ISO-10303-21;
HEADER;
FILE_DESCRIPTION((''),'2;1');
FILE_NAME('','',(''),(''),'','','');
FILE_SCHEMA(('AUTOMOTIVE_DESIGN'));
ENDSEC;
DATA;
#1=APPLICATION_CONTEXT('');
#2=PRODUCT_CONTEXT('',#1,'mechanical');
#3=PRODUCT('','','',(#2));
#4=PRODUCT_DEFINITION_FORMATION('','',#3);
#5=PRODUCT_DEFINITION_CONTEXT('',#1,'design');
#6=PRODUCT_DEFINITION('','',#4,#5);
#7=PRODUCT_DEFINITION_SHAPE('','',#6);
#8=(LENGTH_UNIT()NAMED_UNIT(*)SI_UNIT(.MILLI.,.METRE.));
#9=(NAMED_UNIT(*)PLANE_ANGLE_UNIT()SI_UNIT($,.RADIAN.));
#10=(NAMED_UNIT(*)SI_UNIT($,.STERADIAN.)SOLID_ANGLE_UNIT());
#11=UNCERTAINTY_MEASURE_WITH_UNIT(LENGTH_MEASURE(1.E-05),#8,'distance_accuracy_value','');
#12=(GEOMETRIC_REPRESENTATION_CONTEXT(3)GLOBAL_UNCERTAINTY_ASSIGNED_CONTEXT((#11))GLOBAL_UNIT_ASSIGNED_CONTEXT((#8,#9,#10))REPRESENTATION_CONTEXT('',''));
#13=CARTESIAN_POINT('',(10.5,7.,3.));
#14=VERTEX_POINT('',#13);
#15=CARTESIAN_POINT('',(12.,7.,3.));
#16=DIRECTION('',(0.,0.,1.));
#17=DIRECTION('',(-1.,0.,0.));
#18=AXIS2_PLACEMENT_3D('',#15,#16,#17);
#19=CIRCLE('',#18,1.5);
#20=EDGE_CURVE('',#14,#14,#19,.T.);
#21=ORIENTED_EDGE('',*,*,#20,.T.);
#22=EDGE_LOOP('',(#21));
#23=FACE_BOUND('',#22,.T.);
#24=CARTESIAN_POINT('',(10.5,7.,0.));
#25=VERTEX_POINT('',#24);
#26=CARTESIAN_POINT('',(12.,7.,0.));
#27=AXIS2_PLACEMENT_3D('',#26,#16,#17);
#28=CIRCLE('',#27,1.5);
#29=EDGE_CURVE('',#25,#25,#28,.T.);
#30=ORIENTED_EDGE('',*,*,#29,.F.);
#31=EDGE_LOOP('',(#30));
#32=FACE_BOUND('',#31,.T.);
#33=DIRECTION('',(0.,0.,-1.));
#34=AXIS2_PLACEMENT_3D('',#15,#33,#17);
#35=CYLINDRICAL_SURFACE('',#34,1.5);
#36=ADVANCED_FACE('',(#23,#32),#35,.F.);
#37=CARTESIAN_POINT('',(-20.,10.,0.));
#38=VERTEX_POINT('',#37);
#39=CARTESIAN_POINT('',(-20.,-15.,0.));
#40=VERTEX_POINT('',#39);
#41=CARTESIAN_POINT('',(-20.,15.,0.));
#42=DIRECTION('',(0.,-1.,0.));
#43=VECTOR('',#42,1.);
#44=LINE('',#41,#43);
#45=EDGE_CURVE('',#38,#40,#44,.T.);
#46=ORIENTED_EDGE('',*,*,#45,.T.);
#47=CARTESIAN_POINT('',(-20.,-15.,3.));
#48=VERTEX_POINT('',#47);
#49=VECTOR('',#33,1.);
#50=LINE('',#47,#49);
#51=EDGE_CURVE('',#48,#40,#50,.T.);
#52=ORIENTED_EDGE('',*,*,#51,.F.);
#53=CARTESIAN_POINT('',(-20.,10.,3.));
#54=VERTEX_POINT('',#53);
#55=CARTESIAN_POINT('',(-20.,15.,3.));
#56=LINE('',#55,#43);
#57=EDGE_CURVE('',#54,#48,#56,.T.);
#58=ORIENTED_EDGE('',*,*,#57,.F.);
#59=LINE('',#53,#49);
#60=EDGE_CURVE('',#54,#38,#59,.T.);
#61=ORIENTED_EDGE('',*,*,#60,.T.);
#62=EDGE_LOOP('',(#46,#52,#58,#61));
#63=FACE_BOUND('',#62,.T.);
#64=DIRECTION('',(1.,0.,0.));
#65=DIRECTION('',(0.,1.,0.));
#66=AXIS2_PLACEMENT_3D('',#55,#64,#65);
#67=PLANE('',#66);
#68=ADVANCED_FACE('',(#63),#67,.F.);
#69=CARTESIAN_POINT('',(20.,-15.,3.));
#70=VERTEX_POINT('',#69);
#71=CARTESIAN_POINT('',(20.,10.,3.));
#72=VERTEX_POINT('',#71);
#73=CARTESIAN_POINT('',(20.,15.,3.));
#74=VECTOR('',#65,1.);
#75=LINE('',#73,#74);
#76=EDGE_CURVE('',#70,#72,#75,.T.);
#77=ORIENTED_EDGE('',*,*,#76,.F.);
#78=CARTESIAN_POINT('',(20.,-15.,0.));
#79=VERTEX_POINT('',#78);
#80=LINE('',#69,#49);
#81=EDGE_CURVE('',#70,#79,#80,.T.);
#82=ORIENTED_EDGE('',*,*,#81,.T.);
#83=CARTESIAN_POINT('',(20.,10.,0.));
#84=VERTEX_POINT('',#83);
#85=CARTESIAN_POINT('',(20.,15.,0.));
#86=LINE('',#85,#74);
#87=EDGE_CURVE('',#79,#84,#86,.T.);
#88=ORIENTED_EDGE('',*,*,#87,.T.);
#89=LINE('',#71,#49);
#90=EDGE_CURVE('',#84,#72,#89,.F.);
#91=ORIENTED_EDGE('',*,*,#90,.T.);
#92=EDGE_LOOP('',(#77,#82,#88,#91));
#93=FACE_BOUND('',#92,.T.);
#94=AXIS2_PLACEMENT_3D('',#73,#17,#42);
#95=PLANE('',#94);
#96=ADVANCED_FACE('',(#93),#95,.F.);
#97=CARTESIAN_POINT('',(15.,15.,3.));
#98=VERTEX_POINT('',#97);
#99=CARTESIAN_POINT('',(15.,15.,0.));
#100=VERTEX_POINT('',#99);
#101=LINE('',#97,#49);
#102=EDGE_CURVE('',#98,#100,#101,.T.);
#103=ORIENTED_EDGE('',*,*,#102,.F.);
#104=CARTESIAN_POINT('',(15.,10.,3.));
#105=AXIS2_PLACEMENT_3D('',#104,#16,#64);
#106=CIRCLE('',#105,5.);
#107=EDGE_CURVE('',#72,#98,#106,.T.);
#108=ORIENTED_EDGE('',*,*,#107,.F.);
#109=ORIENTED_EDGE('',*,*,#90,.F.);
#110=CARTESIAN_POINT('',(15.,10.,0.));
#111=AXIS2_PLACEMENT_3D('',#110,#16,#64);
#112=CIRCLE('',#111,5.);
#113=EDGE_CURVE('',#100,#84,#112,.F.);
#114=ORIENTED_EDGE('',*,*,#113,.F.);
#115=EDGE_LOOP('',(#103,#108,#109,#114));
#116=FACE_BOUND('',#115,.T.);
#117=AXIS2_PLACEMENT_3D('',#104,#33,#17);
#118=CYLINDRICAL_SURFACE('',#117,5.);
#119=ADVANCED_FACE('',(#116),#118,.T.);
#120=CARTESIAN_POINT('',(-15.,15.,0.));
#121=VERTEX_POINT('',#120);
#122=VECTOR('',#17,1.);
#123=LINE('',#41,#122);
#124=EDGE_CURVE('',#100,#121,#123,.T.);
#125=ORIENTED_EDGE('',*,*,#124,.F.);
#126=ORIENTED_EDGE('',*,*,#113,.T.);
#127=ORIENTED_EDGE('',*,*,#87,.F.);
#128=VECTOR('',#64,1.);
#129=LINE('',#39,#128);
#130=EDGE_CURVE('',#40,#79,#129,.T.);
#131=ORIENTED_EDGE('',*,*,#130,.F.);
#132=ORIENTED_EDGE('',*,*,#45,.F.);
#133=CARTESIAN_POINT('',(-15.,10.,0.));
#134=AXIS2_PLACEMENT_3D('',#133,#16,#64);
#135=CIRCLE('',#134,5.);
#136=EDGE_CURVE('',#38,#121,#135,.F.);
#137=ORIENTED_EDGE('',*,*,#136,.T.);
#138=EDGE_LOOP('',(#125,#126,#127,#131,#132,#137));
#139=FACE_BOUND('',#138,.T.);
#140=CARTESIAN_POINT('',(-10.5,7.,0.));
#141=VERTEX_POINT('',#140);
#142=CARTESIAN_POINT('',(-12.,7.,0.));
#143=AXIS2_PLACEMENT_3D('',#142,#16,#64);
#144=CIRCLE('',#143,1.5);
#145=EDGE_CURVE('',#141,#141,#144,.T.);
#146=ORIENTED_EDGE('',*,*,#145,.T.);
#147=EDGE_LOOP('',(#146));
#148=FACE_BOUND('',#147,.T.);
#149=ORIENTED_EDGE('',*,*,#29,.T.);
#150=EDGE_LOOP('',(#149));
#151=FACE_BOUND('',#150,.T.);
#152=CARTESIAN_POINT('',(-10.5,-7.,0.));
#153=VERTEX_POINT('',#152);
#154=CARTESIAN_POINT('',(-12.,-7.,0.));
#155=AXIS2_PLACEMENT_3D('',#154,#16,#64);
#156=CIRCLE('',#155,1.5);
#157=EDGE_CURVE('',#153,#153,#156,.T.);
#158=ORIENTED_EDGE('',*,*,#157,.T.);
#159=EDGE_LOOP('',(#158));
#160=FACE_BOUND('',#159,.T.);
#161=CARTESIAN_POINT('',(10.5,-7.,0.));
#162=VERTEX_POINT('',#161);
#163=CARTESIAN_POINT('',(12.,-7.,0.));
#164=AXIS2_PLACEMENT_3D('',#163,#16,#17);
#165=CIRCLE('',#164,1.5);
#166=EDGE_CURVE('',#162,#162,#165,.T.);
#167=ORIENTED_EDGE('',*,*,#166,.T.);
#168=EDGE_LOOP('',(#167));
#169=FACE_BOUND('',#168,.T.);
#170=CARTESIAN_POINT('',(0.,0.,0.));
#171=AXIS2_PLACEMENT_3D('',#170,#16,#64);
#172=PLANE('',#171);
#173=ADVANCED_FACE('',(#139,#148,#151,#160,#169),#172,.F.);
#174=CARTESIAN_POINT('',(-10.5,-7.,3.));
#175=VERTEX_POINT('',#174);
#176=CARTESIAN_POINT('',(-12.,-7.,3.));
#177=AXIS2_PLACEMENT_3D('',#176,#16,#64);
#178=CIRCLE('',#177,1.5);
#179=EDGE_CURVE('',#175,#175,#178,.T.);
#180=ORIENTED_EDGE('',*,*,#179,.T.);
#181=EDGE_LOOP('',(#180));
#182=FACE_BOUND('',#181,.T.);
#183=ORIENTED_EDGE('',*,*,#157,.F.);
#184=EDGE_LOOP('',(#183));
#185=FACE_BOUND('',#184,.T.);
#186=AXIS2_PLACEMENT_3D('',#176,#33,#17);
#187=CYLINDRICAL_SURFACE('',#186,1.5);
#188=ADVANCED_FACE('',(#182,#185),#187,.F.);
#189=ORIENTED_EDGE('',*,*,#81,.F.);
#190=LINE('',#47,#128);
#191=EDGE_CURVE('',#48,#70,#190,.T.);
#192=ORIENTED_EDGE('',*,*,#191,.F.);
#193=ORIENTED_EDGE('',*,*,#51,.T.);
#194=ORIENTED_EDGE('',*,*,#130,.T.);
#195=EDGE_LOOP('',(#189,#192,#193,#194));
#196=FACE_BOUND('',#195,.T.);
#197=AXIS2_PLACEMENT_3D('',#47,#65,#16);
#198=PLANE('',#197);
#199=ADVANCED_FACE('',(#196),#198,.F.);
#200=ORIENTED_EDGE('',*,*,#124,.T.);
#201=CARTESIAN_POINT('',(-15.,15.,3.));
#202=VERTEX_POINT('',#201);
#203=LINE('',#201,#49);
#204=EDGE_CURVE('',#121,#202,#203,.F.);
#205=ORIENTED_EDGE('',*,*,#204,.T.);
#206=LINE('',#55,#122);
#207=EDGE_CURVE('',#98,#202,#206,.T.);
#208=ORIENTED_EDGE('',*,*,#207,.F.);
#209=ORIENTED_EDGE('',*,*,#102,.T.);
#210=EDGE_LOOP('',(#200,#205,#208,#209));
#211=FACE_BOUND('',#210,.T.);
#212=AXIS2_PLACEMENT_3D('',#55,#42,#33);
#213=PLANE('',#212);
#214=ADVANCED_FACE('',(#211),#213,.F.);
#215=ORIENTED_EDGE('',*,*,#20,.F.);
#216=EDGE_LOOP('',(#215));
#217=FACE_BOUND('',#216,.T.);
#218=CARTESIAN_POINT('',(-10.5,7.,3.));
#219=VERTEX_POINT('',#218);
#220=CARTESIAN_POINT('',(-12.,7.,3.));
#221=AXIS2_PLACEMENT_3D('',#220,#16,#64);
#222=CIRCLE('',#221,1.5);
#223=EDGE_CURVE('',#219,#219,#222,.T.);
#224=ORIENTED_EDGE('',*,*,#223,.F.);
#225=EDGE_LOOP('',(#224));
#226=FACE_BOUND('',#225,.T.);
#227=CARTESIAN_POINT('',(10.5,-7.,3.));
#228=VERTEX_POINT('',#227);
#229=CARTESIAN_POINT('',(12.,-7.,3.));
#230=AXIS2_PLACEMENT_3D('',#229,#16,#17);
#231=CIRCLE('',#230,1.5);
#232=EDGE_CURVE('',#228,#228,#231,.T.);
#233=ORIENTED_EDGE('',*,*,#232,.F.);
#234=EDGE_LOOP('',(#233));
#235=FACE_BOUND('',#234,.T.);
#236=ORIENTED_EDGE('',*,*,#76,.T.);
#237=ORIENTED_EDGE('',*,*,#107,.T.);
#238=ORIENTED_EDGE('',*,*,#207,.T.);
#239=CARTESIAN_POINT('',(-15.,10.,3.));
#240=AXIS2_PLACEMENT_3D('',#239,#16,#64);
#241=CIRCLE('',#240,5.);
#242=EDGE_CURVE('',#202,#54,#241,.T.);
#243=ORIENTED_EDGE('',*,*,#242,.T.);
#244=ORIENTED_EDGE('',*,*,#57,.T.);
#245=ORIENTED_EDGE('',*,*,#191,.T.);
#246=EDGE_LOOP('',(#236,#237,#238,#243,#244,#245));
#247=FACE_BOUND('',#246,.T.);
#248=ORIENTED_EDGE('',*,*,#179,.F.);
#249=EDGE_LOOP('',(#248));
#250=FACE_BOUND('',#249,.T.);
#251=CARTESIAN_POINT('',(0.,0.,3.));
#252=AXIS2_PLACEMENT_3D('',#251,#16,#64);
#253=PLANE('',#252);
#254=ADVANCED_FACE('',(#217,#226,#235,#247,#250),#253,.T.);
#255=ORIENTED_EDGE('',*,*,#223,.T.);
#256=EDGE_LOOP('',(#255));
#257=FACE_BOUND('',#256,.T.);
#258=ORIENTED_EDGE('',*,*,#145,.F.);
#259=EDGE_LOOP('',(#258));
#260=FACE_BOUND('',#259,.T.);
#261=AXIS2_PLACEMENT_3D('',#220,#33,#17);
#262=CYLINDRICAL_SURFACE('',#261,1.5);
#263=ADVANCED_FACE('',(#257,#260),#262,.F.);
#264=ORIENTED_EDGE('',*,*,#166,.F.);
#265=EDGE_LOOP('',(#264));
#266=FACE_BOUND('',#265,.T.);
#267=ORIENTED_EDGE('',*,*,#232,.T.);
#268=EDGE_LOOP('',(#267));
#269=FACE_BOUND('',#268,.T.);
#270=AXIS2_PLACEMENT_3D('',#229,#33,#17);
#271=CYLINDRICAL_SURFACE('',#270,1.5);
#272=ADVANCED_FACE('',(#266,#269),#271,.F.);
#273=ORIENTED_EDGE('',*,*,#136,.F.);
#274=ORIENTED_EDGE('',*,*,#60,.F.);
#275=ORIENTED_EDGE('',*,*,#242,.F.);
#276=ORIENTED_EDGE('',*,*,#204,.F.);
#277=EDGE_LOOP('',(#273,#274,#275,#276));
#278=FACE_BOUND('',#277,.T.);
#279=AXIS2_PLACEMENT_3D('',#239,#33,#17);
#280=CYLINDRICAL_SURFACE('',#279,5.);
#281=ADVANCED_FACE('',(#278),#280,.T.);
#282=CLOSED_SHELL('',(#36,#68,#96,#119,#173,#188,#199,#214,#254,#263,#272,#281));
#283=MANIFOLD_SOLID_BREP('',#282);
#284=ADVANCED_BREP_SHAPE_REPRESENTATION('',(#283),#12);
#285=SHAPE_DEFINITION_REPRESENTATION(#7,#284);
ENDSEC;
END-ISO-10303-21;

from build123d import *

# Parameters (mm, degrees)
SKETCH_1_W      = 40
SKETCH_1_H      = 30
SKETCH_1_R      = 1.5
EXTRUDE_1_DEPTH = 3
FILLET_1_R      = 5


with BuildPart() as part:
    # 草圖1 → 填料-伸長1 (new body)
    with BuildSketch(Plane.XY):
        Rectangle(SKETCH_1_W, SKETCH_1_H)
        with Locations((-12, 7)):
            Circle(SKETCH_1_R, mode=Mode.SUBTRACT)
        with Locations((-12, -7)):
            Circle(SKETCH_1_R, mode=Mode.SUBTRACT)
        with Locations(Location((12, -7, 0), (0, 0, 180))):
            Circle(SKETCH_1_R, mode=Mode.SUBTRACT)
        with Locations(Location((12, 7, 0), (0, 0, 180))):
            Circle(SKETCH_1_R, mode=Mode.SUBTRACT)
    extrude(amount=EXTRUDE_1_DEPTH)

    # 圓角1
    fillet_1_edges = [part.edges().sort_by_distance(p)[0] for p in [
        (-20, 15, 1.5),
        (20, 15, 1.5),
    ]]
    fillet(fillet_1_edges, radius=FILLET_1_R)


solid = part.part
